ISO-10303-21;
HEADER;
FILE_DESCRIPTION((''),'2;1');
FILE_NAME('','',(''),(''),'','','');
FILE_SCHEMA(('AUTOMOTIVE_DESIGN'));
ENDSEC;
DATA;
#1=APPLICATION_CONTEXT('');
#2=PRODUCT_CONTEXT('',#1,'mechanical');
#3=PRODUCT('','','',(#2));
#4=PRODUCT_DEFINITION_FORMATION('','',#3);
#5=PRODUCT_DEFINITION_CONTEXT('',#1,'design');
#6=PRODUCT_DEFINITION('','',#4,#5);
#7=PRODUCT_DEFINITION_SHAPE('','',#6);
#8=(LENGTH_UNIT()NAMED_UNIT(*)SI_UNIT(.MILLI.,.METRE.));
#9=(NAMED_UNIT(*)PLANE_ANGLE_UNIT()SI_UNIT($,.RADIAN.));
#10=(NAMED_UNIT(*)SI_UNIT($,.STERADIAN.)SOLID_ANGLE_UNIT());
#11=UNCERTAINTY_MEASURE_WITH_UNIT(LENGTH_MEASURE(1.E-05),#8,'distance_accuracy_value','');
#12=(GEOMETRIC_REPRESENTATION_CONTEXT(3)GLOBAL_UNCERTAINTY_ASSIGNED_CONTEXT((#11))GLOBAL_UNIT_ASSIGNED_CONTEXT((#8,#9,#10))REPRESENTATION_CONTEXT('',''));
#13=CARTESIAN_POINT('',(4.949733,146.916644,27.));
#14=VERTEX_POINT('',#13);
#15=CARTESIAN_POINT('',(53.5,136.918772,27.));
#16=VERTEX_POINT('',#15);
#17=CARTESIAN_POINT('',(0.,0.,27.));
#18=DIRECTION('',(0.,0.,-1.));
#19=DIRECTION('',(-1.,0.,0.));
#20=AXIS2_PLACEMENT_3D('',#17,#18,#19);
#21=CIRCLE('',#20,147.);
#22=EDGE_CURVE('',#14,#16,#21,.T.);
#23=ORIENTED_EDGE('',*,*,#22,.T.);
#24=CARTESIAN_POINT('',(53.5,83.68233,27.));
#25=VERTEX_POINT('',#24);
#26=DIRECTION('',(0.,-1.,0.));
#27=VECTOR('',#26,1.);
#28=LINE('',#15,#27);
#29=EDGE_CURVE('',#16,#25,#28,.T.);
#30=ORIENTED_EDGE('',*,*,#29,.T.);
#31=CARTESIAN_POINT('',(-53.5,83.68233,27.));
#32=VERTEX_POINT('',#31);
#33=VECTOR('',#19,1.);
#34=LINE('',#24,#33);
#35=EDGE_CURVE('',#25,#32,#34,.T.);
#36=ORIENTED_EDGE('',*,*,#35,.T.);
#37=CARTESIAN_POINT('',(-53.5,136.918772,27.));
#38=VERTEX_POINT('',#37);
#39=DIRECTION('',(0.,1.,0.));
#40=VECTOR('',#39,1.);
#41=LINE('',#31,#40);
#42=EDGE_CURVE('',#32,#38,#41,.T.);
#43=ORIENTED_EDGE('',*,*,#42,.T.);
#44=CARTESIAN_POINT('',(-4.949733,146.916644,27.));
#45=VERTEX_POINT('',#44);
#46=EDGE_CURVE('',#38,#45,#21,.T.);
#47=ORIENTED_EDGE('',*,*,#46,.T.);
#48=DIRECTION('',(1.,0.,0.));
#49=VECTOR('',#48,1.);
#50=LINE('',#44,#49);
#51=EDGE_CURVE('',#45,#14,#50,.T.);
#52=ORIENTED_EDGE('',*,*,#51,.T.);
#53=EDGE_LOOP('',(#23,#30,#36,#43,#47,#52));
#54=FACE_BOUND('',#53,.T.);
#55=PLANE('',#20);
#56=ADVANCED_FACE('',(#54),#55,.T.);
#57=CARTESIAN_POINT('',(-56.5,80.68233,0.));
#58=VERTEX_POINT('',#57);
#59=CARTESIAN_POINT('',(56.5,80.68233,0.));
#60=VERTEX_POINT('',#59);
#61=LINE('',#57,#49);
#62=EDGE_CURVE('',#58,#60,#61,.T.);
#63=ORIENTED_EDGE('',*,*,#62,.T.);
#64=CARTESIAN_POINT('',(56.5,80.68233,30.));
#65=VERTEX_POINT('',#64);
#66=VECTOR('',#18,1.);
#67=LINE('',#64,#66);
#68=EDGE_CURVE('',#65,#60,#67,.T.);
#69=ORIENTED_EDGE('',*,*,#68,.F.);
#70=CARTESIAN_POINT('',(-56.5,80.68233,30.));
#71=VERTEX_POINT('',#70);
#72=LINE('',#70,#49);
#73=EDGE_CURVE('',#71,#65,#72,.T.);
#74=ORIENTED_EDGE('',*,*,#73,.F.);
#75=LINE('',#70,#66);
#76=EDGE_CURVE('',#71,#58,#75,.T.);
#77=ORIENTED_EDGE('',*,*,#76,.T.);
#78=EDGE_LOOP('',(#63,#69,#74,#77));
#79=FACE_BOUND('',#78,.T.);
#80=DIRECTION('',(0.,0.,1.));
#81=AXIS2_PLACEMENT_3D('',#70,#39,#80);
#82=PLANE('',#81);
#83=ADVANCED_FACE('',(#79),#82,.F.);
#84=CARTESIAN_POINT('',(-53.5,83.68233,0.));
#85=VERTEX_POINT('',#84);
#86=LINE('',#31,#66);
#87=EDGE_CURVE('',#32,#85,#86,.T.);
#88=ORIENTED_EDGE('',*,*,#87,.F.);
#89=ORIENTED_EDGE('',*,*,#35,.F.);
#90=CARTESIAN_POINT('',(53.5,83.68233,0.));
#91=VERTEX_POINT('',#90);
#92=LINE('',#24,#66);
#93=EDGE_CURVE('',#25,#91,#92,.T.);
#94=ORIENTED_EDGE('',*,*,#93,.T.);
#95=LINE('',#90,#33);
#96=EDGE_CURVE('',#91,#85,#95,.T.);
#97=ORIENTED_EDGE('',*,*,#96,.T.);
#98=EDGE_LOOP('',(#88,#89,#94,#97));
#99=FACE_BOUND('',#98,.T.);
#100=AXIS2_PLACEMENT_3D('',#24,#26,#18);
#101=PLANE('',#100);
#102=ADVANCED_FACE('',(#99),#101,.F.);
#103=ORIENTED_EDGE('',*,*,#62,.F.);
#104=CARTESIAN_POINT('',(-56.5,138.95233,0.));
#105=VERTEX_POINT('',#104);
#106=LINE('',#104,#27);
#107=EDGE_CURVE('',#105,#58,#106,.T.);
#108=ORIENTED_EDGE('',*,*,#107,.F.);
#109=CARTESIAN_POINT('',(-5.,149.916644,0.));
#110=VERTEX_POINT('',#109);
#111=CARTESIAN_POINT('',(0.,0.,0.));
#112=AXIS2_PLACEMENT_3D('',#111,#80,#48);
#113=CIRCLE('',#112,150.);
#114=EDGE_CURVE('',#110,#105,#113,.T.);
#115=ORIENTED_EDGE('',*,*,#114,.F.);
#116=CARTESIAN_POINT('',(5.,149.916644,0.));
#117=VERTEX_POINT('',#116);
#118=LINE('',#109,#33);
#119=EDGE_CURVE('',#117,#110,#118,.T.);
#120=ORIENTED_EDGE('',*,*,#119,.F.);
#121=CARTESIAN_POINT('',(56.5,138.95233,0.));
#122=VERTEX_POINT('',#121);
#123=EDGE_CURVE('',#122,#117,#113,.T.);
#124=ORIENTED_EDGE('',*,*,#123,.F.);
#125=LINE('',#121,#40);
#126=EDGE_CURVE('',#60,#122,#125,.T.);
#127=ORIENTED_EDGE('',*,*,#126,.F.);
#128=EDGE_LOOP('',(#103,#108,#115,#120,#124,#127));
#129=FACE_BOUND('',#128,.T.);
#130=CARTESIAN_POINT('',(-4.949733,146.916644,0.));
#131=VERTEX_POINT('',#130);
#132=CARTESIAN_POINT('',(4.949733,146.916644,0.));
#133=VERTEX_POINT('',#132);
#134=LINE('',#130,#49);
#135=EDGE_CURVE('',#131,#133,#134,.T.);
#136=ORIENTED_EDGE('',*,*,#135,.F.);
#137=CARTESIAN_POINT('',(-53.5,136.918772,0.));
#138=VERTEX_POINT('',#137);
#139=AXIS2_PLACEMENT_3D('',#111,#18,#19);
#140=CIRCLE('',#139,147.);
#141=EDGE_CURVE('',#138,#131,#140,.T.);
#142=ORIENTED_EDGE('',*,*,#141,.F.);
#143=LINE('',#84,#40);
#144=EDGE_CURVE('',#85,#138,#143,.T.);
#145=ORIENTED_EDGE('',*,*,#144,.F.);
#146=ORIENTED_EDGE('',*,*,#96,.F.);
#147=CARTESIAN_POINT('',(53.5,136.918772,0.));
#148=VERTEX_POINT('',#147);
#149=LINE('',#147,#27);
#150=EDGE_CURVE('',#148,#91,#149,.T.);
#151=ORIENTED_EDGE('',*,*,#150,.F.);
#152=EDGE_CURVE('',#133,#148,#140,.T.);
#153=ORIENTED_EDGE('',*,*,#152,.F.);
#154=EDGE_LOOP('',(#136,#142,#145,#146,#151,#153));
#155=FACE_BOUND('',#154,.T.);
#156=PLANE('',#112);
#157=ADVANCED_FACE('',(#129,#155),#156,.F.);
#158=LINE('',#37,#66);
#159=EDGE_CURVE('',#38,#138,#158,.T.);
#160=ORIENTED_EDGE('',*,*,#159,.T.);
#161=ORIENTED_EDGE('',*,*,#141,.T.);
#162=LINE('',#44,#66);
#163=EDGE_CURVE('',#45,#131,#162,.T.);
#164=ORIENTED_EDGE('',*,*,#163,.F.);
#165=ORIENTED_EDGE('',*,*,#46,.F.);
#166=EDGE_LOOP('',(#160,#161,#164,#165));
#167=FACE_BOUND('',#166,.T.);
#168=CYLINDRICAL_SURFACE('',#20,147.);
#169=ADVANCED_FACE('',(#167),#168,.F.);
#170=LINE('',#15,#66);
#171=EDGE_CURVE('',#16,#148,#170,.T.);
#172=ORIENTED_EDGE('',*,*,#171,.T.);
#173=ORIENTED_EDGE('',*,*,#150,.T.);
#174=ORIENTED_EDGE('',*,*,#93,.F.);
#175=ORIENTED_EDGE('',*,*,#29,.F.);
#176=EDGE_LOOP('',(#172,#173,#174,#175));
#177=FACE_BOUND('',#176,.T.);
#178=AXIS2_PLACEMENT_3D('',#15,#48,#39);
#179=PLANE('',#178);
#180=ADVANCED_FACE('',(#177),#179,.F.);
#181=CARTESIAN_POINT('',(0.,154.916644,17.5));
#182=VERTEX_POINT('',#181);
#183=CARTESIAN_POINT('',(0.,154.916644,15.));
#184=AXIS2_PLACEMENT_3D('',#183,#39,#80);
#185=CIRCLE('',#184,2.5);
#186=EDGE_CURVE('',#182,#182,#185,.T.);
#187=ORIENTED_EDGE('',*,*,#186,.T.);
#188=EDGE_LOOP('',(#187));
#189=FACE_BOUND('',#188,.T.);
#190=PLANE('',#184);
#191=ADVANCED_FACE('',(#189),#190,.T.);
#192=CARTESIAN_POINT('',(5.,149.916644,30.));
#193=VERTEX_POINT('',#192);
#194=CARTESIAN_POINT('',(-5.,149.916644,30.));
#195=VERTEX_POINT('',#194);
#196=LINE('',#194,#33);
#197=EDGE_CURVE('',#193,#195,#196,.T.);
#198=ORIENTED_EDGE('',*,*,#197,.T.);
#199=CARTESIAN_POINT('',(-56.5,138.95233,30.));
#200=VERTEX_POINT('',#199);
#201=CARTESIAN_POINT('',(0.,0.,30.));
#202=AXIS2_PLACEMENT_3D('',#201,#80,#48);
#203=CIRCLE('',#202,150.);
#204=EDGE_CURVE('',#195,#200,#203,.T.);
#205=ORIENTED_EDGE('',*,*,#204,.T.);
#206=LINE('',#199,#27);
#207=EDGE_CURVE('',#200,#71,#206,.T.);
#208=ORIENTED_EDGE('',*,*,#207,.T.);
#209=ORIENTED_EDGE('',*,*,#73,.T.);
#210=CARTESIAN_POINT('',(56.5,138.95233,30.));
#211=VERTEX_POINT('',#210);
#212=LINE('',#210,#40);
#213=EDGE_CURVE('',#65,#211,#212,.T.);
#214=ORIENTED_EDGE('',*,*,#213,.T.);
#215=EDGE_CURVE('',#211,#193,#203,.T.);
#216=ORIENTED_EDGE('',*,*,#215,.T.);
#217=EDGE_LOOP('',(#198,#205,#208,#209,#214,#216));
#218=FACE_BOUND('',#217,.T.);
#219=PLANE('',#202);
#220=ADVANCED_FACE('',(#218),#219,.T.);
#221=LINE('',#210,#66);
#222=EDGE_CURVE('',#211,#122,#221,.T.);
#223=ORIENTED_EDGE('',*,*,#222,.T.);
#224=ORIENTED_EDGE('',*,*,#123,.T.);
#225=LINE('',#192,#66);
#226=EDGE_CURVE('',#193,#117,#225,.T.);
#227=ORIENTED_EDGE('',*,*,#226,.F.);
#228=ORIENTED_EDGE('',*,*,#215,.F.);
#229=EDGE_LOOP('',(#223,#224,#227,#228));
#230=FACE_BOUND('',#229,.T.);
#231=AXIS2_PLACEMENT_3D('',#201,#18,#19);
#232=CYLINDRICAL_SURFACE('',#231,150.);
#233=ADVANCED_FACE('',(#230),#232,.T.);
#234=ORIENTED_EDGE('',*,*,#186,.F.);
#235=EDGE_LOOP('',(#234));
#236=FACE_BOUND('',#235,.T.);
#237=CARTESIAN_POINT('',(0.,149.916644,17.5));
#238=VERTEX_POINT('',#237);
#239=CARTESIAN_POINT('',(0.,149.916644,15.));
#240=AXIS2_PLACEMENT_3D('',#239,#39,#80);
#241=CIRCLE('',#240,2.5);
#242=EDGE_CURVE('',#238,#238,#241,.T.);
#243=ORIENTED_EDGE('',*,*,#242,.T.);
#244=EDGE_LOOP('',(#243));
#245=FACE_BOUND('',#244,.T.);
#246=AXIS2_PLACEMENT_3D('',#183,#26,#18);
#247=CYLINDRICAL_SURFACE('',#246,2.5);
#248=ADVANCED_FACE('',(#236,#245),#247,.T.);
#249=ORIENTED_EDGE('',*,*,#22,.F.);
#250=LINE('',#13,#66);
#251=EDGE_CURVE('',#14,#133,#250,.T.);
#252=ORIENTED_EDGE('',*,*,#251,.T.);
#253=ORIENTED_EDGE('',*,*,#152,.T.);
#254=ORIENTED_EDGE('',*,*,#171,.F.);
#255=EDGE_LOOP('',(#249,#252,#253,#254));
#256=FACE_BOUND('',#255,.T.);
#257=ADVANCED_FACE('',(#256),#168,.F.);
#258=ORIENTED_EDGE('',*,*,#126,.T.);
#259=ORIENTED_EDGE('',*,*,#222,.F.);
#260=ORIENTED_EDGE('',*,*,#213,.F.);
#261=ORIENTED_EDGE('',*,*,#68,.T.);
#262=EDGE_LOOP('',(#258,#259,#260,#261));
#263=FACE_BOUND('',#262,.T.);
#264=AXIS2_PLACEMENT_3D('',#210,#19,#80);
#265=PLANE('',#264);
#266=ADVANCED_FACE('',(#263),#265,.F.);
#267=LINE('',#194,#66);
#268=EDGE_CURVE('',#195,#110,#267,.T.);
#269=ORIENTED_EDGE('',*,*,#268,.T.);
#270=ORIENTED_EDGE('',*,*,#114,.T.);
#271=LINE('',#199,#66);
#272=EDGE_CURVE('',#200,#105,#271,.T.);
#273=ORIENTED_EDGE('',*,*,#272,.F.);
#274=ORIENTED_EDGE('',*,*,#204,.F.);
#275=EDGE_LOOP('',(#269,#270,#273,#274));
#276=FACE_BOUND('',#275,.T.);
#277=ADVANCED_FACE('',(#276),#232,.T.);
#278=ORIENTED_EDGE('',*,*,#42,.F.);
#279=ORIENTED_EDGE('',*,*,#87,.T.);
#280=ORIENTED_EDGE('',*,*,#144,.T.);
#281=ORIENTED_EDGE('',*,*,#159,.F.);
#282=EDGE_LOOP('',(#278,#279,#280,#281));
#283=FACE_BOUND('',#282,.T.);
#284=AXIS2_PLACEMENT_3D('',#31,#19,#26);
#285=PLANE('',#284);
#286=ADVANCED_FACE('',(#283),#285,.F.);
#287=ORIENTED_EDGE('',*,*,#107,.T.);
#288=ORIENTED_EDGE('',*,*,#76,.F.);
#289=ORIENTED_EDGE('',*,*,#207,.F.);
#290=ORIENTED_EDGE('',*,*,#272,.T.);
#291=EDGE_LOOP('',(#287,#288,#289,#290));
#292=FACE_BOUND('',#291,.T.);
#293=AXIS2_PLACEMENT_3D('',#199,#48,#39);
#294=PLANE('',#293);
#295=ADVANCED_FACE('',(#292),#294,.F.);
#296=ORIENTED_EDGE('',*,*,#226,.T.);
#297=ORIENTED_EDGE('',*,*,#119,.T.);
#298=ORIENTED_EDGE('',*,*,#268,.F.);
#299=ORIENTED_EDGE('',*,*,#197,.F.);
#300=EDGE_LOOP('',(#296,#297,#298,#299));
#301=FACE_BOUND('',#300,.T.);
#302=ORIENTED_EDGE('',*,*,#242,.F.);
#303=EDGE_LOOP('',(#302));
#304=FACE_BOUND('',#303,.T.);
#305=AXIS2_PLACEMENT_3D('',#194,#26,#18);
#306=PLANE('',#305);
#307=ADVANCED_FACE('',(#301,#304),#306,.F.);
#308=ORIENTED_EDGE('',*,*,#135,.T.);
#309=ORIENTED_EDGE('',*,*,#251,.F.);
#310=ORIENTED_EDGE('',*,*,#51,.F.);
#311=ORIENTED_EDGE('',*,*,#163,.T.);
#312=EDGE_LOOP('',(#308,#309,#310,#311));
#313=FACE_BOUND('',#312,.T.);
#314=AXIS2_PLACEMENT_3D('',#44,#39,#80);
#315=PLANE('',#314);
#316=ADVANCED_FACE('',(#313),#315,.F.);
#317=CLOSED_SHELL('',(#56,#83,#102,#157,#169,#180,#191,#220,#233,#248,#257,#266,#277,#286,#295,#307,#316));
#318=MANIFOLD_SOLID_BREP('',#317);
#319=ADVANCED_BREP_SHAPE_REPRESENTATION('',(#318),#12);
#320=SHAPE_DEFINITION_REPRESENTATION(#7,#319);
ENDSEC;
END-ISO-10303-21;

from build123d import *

# Parameters (mm, degrees)
BOSS_EXTRUDE1_DEPTH = 30
CUT_EXTRUDE1_DEPTH  = 27
SKETCH3_R           = 2.5
BOSS_EXTRUDE2_DEPTH = 5


with BuildPart() as part:
    # Sketch1 → Boss-Extrude1 (new body)
    with BuildSketch(Plane.XY):
        with BuildLine():
            Line((-5, 149.916643506), (5, 149.916643506))
            ThreePointArc((5, 149.916643506), (31.23486102, 146.711906324), (56.5, 138.952329955))
            Line((56.5, 138.952329955), (56.5, 80.682329955))
            Line((56.5, 80.682329955), (-56.5, 80.682329955))
            Line((-56.5, 80.682329955), (-56.5, 138.952329955))
            ThreePointArc((-56.5, 138.952329955), (-31.23486102, 146.711906324), (-5, 149.916643506))
        make_face()
    extrude(amount=BOSS_EXTRUDE1_DEPTH)

    # Sketch2 → Cut-Extrude1 (cut)
    with BuildSketch(Plane(origin=(0, 0, 0), x_dir=(-1, 0, 0), z_dir=(0, 0, -1))):
        with BuildLine():
            Line((4.949733431, 146.916643506), (-4.949733431, 146.916643506))
            ThreePointArc((-4.949733431, 146.916643506), (-29.649320321, 143.978879717), (-53.5, 136.91877154))
            Line((-53.5, 136.91877154), (-53.5, 83.682329955))
            Line((-53.5, 83.682329955), (53.5, 83.682329955))
            Line((53.5, 83.682329955), (53.5, 136.91877154))
            ThreePointArc((53.5, 136.91877154), (29.649320321, 143.978879717), (4.949733431, 146.916643506))
        make_face()
    extrude(amount=-CUT_EXTRUDE1_DEPTH, mode=Mode.SUBTRACT)

    # Sketch3 → Boss-Extrude2 (add)
    with BuildSketch(Plane(origin=(0, 149.916643506, 0), x_dir=(1, 0, 0), z_dir=(0, 1, 0))):
        with Locations(Location((0, -15, 0), (0, 0, 270))):
            Circle(SKETCH3_R)
    extrude(amount=BOSS_EXTRUDE2_DEPTH)


solid = part.part
